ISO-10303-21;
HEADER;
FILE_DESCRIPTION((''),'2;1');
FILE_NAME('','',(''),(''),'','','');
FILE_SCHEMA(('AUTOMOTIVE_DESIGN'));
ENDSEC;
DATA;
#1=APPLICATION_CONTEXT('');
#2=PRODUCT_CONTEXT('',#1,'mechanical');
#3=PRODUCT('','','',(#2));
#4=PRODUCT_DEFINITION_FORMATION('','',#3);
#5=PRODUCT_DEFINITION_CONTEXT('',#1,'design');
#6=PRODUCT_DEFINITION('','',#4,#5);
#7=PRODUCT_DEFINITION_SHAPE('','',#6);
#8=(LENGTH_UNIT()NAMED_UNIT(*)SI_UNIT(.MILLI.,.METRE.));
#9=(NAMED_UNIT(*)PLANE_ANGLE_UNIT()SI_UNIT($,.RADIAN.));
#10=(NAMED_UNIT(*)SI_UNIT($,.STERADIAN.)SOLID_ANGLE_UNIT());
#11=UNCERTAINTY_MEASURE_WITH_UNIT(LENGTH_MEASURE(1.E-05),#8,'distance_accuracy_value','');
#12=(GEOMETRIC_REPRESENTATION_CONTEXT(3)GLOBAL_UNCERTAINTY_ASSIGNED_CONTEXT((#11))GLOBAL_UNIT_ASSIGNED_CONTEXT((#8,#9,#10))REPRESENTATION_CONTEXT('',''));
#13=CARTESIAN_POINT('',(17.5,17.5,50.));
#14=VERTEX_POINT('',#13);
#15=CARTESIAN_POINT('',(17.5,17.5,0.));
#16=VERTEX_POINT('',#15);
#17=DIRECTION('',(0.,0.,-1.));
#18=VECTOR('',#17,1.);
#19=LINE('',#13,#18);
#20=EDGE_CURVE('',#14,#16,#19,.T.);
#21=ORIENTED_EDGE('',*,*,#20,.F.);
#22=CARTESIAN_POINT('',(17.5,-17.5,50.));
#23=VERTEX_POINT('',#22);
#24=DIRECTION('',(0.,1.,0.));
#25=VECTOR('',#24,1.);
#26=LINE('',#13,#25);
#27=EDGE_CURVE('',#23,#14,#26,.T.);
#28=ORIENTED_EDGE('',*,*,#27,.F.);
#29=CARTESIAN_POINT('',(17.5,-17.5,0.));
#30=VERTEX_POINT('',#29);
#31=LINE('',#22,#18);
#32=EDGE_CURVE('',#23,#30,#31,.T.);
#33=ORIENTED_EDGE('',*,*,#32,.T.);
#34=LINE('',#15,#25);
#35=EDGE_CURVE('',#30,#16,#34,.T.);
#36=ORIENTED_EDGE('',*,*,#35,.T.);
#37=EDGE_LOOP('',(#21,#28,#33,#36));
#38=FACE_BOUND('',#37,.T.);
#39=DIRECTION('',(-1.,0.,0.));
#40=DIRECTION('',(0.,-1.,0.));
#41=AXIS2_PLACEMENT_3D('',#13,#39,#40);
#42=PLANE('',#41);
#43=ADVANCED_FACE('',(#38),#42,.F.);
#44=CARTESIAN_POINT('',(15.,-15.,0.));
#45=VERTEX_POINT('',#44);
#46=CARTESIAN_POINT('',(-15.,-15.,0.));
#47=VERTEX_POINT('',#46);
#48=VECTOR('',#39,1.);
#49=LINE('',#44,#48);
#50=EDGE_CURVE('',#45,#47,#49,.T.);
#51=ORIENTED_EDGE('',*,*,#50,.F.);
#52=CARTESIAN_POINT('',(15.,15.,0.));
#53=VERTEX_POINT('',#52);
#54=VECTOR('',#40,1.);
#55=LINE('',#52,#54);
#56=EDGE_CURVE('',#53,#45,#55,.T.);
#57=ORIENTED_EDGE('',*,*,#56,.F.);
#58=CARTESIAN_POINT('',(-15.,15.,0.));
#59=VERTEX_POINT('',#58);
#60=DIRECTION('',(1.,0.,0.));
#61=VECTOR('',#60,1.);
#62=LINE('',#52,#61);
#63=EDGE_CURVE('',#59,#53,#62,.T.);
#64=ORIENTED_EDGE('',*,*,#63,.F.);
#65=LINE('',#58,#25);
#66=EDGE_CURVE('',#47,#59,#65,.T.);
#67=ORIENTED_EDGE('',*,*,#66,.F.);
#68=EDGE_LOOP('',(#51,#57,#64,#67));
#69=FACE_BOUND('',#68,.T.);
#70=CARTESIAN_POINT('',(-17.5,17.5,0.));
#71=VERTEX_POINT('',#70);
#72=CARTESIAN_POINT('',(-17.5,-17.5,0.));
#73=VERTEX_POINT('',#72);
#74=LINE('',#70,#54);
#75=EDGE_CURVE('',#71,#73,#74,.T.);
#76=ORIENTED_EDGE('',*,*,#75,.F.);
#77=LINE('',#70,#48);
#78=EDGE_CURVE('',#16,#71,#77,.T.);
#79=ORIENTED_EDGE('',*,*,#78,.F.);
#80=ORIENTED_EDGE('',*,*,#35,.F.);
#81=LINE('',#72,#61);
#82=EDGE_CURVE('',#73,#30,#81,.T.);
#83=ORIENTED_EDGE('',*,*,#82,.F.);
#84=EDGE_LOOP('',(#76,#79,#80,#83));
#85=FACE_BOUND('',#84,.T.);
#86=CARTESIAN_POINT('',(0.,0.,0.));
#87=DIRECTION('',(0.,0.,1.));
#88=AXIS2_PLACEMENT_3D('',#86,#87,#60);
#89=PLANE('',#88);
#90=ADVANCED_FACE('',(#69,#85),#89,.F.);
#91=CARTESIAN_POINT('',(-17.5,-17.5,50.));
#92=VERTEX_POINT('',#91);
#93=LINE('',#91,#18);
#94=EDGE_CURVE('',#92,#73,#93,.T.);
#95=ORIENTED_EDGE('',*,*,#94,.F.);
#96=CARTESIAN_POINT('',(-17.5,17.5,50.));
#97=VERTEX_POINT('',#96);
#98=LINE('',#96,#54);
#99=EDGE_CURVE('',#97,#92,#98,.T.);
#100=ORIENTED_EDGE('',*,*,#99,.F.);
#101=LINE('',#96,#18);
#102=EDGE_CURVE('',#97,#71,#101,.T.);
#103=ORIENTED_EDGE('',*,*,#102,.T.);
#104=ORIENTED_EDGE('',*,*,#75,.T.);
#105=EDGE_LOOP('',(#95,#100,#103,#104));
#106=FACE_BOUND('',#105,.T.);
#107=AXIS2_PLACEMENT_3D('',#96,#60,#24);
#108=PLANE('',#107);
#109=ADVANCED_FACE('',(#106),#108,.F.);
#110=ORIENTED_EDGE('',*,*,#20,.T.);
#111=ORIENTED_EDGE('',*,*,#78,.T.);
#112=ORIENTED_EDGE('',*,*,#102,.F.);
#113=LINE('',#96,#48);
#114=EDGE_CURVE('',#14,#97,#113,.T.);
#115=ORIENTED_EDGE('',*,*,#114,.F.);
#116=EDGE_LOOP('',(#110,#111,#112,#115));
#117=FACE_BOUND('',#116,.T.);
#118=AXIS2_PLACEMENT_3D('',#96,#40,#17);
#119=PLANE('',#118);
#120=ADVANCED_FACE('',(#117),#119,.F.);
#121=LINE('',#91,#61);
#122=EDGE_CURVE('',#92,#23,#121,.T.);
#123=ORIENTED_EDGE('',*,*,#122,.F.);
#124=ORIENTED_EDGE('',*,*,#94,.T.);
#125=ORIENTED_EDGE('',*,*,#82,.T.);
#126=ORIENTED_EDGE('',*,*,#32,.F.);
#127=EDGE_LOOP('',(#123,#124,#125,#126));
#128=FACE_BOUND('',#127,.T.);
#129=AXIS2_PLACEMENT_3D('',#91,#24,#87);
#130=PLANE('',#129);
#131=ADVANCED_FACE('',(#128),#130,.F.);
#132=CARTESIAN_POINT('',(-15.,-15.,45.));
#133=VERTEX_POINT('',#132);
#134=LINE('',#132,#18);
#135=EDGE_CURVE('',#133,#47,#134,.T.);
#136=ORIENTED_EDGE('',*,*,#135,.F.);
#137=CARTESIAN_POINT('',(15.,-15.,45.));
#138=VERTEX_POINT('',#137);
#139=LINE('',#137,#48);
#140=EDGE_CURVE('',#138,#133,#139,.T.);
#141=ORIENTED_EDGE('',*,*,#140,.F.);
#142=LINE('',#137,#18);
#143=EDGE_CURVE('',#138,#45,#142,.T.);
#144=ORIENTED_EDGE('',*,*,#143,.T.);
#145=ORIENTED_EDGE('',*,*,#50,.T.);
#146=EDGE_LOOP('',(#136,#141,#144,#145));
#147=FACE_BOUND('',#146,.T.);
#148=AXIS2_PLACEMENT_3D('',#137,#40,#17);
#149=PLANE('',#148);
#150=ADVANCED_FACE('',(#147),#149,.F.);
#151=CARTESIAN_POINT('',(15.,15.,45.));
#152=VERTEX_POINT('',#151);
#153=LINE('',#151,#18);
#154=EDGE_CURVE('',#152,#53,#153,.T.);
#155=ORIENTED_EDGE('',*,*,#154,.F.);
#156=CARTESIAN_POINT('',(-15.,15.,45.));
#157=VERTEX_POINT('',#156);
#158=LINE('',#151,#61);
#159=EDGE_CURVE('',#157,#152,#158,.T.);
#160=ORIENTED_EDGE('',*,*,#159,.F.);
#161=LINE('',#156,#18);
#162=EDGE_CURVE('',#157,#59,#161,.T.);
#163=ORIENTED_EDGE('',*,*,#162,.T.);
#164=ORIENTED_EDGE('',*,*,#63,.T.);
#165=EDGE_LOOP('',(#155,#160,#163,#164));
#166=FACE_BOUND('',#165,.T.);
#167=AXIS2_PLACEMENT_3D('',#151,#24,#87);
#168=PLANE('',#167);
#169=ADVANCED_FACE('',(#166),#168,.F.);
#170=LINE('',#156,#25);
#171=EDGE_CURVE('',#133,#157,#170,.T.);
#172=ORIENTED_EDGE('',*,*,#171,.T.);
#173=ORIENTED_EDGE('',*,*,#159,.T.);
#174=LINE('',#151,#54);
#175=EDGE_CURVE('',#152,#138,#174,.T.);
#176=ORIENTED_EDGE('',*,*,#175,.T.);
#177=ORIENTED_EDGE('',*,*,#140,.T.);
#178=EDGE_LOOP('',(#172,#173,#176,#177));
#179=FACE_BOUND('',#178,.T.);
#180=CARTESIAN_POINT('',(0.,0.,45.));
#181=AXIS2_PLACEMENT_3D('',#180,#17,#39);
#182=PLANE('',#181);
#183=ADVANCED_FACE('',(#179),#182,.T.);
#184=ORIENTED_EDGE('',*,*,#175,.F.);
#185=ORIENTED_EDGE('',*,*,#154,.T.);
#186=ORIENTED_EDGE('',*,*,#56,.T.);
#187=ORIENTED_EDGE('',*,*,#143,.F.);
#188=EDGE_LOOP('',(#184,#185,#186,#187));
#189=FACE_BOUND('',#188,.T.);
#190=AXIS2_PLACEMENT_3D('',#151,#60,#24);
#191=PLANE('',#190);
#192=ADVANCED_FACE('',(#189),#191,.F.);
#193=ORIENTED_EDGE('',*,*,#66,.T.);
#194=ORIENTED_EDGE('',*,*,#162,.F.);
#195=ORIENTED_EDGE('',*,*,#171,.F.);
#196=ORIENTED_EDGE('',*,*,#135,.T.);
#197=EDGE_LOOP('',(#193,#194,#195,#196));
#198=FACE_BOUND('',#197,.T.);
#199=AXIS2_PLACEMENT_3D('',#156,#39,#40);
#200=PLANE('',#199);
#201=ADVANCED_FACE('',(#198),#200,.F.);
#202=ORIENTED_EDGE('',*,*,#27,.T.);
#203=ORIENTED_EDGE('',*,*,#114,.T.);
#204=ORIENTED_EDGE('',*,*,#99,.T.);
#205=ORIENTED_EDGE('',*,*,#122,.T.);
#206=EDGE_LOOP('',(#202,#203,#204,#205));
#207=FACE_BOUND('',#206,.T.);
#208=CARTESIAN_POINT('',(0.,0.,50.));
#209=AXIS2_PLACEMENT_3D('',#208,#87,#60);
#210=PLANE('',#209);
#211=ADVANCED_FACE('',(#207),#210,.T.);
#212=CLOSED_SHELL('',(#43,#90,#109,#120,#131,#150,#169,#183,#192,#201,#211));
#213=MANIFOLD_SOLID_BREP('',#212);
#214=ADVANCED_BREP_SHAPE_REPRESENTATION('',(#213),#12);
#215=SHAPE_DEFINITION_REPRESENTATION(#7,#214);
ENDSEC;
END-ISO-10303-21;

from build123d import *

# Parameters (mm, degrees)
ESQUISSE1_W             = 35
ESQUISSE1_H             = 35
BOSS_EXTRU_1_DEPTH      = 50
ESQUISSE2_W             = 30
ESQUISSE2_H             = 30
ENL_V_MAT_EXTRU_1_DEPTH = 45


with BuildPart() as part:
    # Esquisse1 → Boss.-Extru.1 (new body)
    with BuildSketch(Plane.XY):
        Rectangle(ESQUISSE1_W, ESQUISSE1_H)
    extrude(amount=BOSS_EXTRU_1_DEPTH)

    # Esquisse2 → Enlèv. mat.-Extru.1 (cut)
    with BuildSketch(Plane(origin=(0, 0, 0), x_dir=(-1, 0, 0), z_dir=(0, 0, -1))):
        Rectangle(ESQUISSE2_W, ESQUISSE2_H)
    extrude(amount=-ENL_V_MAT_EXTRU_1_DEPTH, mode=Mode.SUBTRACT)


solid = part.part
